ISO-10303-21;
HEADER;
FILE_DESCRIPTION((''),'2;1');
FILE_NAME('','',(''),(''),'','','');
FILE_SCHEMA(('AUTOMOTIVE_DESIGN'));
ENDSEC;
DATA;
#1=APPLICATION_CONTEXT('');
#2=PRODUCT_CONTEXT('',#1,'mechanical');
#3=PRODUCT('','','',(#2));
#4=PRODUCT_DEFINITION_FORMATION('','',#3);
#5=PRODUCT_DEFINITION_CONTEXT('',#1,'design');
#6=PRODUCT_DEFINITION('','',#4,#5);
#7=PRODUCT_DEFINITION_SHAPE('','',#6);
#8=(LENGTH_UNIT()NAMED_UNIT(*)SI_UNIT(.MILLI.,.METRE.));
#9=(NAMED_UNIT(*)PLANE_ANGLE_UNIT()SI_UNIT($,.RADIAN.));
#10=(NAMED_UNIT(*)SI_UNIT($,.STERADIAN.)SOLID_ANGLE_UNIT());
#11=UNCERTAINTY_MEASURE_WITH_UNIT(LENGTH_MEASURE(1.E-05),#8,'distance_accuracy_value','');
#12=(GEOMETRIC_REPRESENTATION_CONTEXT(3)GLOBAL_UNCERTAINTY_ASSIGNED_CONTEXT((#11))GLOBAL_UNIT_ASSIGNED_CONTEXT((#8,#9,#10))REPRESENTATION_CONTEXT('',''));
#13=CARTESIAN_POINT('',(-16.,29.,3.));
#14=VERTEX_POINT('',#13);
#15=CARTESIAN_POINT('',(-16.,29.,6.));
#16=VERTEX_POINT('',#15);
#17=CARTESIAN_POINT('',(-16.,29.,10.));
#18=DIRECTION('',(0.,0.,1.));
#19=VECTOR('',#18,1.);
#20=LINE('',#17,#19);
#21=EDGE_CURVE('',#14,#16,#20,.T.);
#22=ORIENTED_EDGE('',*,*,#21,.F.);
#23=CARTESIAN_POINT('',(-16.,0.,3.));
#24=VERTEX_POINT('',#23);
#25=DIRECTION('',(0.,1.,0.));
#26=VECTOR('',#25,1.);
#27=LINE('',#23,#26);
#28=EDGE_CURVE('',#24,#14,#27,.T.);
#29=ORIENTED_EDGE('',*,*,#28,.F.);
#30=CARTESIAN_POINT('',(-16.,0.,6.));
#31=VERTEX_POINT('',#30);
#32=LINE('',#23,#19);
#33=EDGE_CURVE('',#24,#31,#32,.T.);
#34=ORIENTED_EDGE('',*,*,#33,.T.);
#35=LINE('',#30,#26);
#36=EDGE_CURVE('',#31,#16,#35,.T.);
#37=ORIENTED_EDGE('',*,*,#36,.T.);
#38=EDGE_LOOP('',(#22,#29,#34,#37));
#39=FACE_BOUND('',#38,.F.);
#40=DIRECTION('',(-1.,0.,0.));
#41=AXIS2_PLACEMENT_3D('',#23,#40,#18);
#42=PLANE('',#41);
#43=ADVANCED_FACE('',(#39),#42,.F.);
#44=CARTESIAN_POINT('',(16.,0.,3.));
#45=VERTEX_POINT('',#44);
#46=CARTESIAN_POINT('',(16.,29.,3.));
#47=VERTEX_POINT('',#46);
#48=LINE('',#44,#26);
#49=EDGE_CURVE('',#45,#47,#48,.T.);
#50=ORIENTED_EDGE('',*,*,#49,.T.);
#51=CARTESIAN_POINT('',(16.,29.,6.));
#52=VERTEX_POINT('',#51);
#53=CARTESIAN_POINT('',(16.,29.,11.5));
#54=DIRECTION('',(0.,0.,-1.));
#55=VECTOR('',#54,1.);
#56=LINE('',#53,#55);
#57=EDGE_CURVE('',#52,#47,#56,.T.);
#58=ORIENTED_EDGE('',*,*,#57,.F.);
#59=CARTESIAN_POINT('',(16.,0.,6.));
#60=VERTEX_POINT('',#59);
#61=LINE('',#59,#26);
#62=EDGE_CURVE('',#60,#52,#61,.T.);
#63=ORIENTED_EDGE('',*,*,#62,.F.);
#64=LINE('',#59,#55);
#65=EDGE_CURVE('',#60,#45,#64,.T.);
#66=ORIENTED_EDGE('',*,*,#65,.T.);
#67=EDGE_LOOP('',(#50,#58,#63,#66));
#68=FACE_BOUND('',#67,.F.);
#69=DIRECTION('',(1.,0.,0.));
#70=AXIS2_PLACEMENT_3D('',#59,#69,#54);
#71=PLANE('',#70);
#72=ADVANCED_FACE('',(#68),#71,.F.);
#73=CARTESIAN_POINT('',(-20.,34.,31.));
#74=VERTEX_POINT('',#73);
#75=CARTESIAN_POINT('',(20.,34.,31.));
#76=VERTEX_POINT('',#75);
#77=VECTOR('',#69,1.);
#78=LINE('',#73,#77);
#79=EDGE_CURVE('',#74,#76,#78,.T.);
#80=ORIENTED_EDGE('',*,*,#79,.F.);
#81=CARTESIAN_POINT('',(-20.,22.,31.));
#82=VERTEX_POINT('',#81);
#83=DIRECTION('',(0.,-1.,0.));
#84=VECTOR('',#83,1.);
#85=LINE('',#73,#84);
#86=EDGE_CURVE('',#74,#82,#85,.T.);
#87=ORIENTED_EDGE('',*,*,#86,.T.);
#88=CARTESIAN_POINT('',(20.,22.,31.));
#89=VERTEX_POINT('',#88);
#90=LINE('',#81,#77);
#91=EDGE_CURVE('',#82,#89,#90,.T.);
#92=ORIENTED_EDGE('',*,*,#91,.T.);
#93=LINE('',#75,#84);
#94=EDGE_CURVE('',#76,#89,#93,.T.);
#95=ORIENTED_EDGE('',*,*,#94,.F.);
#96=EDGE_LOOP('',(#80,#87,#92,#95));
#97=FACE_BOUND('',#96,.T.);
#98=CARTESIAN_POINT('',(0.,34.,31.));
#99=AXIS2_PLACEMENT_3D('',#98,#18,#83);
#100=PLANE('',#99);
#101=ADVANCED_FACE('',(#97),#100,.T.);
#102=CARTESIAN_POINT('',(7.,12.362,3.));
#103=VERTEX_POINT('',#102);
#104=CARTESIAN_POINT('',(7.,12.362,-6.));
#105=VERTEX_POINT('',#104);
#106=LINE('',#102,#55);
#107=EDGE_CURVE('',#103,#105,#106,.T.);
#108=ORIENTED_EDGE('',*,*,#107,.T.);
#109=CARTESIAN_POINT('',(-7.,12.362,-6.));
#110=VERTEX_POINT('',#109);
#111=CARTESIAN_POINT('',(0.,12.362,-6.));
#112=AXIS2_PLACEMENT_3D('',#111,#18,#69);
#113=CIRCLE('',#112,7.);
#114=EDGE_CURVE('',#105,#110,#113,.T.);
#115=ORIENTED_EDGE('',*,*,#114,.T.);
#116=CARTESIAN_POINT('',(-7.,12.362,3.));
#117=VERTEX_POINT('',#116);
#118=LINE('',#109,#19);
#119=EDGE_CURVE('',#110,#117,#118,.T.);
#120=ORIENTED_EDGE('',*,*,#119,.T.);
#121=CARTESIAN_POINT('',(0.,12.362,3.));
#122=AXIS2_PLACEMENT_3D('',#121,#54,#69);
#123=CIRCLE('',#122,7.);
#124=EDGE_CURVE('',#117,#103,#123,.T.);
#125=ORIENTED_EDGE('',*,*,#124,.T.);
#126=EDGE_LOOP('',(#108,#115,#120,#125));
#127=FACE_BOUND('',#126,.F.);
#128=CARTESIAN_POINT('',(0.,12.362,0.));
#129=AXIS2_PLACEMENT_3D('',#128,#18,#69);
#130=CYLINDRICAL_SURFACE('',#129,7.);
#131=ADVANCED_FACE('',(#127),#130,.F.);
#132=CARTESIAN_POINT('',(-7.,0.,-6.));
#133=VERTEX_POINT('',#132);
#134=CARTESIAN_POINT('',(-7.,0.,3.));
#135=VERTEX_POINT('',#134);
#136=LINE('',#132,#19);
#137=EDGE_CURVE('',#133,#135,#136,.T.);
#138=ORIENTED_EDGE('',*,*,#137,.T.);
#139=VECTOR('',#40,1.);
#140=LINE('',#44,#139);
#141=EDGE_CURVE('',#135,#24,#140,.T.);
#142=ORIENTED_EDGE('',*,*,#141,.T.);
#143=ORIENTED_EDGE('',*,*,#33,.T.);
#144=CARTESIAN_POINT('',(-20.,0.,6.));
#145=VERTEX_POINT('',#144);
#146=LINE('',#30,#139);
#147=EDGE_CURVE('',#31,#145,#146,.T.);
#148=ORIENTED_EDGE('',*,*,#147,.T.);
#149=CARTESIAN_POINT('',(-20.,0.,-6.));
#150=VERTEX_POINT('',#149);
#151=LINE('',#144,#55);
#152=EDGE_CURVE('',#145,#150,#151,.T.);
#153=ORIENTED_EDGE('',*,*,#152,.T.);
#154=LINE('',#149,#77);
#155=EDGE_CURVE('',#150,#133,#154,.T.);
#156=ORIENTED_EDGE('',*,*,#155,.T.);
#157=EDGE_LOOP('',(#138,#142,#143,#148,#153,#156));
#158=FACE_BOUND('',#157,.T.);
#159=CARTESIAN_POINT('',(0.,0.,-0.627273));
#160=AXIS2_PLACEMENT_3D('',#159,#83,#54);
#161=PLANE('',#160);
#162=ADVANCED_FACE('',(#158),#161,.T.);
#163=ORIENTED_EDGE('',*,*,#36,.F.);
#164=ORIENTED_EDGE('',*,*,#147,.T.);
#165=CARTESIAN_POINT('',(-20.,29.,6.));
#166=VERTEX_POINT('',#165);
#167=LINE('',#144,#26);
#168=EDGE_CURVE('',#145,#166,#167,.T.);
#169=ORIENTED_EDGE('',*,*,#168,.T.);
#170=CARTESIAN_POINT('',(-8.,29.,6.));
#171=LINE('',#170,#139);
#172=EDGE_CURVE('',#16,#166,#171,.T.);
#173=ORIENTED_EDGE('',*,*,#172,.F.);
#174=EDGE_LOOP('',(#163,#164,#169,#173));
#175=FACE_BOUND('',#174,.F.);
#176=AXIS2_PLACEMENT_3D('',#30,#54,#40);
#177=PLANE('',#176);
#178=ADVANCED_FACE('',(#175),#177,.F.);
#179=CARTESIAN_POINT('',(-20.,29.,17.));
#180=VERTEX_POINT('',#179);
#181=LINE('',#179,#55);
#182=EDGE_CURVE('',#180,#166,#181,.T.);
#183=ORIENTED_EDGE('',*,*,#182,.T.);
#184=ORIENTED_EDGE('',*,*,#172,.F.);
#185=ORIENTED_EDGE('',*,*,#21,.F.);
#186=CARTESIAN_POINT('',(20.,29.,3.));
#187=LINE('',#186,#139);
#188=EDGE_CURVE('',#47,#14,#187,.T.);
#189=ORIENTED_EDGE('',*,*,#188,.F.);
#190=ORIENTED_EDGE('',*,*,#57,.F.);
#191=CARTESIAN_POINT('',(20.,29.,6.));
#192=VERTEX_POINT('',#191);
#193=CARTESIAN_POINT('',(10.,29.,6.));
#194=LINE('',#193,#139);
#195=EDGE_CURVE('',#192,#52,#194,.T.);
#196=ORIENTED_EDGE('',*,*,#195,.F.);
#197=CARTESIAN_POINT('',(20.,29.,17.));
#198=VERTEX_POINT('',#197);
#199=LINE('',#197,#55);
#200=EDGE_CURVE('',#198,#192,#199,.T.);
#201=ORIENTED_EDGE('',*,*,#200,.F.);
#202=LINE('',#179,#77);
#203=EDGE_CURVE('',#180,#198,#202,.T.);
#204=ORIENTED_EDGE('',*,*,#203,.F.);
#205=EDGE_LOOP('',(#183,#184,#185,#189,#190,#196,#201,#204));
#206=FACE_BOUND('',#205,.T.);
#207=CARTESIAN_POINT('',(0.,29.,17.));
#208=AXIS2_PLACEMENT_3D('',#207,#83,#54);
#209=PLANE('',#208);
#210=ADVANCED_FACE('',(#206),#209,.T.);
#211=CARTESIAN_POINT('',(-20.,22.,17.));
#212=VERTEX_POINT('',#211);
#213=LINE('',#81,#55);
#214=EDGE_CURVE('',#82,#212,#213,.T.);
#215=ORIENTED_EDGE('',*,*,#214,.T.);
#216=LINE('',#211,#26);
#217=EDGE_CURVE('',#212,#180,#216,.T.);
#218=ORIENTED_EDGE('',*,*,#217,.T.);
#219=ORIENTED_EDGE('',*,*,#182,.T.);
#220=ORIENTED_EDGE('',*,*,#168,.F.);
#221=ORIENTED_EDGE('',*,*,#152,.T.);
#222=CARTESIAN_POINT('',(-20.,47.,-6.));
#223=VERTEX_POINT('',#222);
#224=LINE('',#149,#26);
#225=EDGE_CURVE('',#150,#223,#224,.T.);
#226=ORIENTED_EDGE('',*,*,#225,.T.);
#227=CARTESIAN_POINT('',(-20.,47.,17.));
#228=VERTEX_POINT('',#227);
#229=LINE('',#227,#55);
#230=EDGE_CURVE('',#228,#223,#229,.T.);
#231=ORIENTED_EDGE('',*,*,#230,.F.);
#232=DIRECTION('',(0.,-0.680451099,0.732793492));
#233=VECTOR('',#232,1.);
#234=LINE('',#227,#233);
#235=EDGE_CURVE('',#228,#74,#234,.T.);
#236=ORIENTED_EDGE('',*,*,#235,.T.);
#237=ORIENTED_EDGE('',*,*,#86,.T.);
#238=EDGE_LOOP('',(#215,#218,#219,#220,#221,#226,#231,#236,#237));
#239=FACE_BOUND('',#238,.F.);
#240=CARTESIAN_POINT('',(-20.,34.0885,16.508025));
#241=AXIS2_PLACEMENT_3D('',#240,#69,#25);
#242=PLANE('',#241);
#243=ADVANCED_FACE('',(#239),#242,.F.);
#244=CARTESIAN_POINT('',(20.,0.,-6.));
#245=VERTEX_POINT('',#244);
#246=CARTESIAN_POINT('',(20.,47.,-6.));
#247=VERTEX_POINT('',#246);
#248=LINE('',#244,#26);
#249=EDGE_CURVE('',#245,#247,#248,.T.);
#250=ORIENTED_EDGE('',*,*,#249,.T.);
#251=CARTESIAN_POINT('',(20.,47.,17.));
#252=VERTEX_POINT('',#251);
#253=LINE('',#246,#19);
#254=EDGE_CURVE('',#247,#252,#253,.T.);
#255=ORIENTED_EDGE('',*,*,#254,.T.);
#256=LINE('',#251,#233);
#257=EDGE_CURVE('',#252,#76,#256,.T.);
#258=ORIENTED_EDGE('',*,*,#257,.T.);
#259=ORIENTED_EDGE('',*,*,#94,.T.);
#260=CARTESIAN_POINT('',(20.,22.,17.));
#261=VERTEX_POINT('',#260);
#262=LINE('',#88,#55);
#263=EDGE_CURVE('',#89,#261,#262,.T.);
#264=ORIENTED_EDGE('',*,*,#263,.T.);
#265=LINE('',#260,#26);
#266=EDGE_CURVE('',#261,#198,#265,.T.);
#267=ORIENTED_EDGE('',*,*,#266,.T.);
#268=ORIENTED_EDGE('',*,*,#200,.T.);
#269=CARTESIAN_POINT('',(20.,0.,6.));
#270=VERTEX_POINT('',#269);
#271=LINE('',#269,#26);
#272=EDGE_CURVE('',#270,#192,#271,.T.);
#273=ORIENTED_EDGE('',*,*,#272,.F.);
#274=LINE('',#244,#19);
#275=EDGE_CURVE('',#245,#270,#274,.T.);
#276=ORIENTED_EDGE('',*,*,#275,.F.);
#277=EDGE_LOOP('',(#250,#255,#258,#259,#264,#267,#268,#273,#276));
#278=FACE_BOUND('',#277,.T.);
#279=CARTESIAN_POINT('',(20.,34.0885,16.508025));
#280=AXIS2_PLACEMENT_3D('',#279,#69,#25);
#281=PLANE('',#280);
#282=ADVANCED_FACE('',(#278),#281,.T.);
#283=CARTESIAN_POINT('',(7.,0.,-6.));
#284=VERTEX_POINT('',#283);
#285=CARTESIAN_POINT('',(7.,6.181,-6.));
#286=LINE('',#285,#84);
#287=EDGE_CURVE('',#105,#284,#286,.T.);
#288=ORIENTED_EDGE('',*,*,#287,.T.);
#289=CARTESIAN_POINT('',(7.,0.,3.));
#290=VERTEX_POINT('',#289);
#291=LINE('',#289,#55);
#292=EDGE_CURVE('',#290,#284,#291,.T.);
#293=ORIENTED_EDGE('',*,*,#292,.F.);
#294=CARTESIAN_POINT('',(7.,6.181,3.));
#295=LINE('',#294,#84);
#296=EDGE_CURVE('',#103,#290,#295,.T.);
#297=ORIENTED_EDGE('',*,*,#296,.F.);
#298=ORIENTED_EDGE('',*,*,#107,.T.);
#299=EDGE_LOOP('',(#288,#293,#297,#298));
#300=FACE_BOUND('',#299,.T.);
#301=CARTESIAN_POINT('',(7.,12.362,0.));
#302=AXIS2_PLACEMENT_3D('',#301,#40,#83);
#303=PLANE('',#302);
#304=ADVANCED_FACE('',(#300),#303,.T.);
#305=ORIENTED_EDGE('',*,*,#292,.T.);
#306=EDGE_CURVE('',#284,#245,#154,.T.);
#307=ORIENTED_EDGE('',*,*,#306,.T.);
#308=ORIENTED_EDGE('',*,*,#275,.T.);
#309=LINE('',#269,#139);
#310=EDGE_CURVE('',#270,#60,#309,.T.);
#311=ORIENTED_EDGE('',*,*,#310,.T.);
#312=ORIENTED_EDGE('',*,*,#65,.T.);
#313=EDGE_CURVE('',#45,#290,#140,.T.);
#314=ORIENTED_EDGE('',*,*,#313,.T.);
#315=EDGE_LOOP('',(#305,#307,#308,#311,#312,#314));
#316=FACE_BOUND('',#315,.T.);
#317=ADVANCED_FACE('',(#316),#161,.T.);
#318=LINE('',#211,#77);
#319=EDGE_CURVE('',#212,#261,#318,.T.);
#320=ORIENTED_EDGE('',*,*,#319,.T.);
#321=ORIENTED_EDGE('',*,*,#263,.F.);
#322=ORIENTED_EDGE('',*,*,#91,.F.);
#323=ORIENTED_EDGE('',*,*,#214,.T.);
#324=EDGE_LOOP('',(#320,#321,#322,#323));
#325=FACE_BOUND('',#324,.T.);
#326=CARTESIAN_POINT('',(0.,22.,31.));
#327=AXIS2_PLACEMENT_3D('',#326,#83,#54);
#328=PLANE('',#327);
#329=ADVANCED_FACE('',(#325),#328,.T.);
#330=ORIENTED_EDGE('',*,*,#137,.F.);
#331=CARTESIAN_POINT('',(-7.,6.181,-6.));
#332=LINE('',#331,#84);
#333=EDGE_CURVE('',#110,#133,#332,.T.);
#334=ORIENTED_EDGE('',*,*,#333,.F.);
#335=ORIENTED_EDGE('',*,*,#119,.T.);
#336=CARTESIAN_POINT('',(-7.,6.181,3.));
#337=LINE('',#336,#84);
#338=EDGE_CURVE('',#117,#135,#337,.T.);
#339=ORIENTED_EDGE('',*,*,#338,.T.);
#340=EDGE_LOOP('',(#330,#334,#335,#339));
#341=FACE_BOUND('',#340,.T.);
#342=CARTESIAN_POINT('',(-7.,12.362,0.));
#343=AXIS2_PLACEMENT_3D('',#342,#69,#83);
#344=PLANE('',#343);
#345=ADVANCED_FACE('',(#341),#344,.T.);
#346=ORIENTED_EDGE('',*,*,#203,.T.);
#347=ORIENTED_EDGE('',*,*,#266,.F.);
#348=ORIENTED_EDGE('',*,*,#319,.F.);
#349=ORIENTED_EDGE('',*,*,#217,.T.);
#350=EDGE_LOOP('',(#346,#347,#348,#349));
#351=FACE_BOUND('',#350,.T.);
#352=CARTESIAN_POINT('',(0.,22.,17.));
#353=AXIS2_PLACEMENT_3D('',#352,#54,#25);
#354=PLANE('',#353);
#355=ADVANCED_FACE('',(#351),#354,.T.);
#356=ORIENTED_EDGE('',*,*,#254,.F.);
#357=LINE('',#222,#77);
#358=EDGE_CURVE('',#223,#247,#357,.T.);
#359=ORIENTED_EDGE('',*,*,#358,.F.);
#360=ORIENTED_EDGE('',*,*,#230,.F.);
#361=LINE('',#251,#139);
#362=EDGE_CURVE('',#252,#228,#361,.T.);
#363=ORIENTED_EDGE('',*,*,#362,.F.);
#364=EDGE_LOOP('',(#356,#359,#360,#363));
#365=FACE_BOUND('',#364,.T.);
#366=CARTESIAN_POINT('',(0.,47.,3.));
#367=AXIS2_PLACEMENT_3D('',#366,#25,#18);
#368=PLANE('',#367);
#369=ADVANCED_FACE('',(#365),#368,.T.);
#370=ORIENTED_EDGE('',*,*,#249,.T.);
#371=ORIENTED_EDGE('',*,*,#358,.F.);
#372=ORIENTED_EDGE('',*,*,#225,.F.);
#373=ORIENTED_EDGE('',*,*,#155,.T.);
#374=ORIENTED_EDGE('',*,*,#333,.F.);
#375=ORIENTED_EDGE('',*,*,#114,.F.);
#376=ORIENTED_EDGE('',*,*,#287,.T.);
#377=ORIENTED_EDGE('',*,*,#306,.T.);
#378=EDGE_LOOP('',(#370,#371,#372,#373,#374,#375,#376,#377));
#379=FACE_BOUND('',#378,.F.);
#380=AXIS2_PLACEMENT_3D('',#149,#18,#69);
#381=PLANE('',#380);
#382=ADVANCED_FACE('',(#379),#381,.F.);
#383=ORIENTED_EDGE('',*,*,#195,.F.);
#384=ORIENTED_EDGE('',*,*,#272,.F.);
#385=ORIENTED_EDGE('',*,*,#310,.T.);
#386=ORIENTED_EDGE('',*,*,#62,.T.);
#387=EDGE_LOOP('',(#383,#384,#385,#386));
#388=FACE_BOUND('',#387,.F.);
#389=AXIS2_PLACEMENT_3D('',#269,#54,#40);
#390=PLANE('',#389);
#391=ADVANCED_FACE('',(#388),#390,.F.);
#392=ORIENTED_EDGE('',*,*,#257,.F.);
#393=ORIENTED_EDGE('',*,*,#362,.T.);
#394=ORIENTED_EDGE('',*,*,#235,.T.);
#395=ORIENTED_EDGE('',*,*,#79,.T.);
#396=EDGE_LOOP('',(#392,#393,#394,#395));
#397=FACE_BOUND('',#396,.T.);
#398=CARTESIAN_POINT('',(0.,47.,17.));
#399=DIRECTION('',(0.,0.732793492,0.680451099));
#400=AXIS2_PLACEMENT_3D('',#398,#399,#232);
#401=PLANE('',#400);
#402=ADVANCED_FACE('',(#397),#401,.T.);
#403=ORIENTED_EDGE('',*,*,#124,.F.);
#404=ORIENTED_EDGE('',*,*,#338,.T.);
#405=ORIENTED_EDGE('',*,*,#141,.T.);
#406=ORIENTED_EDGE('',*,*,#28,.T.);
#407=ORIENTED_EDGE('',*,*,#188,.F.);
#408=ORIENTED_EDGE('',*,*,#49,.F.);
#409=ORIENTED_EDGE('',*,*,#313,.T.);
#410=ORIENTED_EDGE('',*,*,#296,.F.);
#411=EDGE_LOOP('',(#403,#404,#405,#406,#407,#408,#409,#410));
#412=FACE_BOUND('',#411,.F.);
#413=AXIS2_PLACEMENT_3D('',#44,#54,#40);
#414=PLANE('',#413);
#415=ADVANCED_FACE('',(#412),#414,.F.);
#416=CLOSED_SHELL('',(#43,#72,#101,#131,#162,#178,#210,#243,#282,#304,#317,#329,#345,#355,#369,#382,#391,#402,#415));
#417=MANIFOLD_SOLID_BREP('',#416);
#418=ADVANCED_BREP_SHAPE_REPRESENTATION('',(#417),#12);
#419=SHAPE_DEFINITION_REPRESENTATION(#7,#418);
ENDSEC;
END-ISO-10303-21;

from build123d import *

# Parameters (mm, degrees)
PAD_DEPTH         = 20
POCKET_DEPTH      = 6.001
POCKET_DEPTH_BACK = -31.001


with BuildPart() as part:
    # AdditivePipe: sweep along a path in Sketch
    with BuildLine(Plane.XY) as additivepipe_path:
        Line((0, 0), (0, 47))
    # Sketch001 → AdditivePipe (sweep)
    with BuildSketch(Plane.XZ):
        Polygon((-20, 6), (-20, -6), (-16, -6), (-9, -6), (9, -6), (16, -6), (20, -6), (20, 6), (16, 6), (16, 3), (9, 3), (-9, 3), (-16, 3), (-16, 6), align=None)
    sweep(path=additivepipe_path.line)

    # Sketch002 → Pad (new body, symmetric)
    with BuildSketch(Plane.YZ):
        Polygon((47, 6), (47, 17), (34, 31), (22, 31), (22, 17), (29, 17), (29, 3), (47, 3), align=None)
    extrude(amount=PAD_DEPTH, both=True)

    # Sketch003 → Pocket (cut, two sides)
    with BuildSketch(Plane.XY) as pocket_sk:
        with BuildLine():
            ThreePointArc((7, 12.362), (0, 19.362), (-7, 12.362))
            Line((-7, 12.362), (-7, 0))
            Line((-7, 0), (7, 0))
            Line((7, 12.362), (7, 0))
        make_face()
    extrude(amount=-POCKET_DEPTH, mode=Mode.SUBTRACT)
    extrude(pocket_sk.sketch, amount=-POCKET_DEPTH_BACK, mode=Mode.SUBTRACT)


solid = part.part
